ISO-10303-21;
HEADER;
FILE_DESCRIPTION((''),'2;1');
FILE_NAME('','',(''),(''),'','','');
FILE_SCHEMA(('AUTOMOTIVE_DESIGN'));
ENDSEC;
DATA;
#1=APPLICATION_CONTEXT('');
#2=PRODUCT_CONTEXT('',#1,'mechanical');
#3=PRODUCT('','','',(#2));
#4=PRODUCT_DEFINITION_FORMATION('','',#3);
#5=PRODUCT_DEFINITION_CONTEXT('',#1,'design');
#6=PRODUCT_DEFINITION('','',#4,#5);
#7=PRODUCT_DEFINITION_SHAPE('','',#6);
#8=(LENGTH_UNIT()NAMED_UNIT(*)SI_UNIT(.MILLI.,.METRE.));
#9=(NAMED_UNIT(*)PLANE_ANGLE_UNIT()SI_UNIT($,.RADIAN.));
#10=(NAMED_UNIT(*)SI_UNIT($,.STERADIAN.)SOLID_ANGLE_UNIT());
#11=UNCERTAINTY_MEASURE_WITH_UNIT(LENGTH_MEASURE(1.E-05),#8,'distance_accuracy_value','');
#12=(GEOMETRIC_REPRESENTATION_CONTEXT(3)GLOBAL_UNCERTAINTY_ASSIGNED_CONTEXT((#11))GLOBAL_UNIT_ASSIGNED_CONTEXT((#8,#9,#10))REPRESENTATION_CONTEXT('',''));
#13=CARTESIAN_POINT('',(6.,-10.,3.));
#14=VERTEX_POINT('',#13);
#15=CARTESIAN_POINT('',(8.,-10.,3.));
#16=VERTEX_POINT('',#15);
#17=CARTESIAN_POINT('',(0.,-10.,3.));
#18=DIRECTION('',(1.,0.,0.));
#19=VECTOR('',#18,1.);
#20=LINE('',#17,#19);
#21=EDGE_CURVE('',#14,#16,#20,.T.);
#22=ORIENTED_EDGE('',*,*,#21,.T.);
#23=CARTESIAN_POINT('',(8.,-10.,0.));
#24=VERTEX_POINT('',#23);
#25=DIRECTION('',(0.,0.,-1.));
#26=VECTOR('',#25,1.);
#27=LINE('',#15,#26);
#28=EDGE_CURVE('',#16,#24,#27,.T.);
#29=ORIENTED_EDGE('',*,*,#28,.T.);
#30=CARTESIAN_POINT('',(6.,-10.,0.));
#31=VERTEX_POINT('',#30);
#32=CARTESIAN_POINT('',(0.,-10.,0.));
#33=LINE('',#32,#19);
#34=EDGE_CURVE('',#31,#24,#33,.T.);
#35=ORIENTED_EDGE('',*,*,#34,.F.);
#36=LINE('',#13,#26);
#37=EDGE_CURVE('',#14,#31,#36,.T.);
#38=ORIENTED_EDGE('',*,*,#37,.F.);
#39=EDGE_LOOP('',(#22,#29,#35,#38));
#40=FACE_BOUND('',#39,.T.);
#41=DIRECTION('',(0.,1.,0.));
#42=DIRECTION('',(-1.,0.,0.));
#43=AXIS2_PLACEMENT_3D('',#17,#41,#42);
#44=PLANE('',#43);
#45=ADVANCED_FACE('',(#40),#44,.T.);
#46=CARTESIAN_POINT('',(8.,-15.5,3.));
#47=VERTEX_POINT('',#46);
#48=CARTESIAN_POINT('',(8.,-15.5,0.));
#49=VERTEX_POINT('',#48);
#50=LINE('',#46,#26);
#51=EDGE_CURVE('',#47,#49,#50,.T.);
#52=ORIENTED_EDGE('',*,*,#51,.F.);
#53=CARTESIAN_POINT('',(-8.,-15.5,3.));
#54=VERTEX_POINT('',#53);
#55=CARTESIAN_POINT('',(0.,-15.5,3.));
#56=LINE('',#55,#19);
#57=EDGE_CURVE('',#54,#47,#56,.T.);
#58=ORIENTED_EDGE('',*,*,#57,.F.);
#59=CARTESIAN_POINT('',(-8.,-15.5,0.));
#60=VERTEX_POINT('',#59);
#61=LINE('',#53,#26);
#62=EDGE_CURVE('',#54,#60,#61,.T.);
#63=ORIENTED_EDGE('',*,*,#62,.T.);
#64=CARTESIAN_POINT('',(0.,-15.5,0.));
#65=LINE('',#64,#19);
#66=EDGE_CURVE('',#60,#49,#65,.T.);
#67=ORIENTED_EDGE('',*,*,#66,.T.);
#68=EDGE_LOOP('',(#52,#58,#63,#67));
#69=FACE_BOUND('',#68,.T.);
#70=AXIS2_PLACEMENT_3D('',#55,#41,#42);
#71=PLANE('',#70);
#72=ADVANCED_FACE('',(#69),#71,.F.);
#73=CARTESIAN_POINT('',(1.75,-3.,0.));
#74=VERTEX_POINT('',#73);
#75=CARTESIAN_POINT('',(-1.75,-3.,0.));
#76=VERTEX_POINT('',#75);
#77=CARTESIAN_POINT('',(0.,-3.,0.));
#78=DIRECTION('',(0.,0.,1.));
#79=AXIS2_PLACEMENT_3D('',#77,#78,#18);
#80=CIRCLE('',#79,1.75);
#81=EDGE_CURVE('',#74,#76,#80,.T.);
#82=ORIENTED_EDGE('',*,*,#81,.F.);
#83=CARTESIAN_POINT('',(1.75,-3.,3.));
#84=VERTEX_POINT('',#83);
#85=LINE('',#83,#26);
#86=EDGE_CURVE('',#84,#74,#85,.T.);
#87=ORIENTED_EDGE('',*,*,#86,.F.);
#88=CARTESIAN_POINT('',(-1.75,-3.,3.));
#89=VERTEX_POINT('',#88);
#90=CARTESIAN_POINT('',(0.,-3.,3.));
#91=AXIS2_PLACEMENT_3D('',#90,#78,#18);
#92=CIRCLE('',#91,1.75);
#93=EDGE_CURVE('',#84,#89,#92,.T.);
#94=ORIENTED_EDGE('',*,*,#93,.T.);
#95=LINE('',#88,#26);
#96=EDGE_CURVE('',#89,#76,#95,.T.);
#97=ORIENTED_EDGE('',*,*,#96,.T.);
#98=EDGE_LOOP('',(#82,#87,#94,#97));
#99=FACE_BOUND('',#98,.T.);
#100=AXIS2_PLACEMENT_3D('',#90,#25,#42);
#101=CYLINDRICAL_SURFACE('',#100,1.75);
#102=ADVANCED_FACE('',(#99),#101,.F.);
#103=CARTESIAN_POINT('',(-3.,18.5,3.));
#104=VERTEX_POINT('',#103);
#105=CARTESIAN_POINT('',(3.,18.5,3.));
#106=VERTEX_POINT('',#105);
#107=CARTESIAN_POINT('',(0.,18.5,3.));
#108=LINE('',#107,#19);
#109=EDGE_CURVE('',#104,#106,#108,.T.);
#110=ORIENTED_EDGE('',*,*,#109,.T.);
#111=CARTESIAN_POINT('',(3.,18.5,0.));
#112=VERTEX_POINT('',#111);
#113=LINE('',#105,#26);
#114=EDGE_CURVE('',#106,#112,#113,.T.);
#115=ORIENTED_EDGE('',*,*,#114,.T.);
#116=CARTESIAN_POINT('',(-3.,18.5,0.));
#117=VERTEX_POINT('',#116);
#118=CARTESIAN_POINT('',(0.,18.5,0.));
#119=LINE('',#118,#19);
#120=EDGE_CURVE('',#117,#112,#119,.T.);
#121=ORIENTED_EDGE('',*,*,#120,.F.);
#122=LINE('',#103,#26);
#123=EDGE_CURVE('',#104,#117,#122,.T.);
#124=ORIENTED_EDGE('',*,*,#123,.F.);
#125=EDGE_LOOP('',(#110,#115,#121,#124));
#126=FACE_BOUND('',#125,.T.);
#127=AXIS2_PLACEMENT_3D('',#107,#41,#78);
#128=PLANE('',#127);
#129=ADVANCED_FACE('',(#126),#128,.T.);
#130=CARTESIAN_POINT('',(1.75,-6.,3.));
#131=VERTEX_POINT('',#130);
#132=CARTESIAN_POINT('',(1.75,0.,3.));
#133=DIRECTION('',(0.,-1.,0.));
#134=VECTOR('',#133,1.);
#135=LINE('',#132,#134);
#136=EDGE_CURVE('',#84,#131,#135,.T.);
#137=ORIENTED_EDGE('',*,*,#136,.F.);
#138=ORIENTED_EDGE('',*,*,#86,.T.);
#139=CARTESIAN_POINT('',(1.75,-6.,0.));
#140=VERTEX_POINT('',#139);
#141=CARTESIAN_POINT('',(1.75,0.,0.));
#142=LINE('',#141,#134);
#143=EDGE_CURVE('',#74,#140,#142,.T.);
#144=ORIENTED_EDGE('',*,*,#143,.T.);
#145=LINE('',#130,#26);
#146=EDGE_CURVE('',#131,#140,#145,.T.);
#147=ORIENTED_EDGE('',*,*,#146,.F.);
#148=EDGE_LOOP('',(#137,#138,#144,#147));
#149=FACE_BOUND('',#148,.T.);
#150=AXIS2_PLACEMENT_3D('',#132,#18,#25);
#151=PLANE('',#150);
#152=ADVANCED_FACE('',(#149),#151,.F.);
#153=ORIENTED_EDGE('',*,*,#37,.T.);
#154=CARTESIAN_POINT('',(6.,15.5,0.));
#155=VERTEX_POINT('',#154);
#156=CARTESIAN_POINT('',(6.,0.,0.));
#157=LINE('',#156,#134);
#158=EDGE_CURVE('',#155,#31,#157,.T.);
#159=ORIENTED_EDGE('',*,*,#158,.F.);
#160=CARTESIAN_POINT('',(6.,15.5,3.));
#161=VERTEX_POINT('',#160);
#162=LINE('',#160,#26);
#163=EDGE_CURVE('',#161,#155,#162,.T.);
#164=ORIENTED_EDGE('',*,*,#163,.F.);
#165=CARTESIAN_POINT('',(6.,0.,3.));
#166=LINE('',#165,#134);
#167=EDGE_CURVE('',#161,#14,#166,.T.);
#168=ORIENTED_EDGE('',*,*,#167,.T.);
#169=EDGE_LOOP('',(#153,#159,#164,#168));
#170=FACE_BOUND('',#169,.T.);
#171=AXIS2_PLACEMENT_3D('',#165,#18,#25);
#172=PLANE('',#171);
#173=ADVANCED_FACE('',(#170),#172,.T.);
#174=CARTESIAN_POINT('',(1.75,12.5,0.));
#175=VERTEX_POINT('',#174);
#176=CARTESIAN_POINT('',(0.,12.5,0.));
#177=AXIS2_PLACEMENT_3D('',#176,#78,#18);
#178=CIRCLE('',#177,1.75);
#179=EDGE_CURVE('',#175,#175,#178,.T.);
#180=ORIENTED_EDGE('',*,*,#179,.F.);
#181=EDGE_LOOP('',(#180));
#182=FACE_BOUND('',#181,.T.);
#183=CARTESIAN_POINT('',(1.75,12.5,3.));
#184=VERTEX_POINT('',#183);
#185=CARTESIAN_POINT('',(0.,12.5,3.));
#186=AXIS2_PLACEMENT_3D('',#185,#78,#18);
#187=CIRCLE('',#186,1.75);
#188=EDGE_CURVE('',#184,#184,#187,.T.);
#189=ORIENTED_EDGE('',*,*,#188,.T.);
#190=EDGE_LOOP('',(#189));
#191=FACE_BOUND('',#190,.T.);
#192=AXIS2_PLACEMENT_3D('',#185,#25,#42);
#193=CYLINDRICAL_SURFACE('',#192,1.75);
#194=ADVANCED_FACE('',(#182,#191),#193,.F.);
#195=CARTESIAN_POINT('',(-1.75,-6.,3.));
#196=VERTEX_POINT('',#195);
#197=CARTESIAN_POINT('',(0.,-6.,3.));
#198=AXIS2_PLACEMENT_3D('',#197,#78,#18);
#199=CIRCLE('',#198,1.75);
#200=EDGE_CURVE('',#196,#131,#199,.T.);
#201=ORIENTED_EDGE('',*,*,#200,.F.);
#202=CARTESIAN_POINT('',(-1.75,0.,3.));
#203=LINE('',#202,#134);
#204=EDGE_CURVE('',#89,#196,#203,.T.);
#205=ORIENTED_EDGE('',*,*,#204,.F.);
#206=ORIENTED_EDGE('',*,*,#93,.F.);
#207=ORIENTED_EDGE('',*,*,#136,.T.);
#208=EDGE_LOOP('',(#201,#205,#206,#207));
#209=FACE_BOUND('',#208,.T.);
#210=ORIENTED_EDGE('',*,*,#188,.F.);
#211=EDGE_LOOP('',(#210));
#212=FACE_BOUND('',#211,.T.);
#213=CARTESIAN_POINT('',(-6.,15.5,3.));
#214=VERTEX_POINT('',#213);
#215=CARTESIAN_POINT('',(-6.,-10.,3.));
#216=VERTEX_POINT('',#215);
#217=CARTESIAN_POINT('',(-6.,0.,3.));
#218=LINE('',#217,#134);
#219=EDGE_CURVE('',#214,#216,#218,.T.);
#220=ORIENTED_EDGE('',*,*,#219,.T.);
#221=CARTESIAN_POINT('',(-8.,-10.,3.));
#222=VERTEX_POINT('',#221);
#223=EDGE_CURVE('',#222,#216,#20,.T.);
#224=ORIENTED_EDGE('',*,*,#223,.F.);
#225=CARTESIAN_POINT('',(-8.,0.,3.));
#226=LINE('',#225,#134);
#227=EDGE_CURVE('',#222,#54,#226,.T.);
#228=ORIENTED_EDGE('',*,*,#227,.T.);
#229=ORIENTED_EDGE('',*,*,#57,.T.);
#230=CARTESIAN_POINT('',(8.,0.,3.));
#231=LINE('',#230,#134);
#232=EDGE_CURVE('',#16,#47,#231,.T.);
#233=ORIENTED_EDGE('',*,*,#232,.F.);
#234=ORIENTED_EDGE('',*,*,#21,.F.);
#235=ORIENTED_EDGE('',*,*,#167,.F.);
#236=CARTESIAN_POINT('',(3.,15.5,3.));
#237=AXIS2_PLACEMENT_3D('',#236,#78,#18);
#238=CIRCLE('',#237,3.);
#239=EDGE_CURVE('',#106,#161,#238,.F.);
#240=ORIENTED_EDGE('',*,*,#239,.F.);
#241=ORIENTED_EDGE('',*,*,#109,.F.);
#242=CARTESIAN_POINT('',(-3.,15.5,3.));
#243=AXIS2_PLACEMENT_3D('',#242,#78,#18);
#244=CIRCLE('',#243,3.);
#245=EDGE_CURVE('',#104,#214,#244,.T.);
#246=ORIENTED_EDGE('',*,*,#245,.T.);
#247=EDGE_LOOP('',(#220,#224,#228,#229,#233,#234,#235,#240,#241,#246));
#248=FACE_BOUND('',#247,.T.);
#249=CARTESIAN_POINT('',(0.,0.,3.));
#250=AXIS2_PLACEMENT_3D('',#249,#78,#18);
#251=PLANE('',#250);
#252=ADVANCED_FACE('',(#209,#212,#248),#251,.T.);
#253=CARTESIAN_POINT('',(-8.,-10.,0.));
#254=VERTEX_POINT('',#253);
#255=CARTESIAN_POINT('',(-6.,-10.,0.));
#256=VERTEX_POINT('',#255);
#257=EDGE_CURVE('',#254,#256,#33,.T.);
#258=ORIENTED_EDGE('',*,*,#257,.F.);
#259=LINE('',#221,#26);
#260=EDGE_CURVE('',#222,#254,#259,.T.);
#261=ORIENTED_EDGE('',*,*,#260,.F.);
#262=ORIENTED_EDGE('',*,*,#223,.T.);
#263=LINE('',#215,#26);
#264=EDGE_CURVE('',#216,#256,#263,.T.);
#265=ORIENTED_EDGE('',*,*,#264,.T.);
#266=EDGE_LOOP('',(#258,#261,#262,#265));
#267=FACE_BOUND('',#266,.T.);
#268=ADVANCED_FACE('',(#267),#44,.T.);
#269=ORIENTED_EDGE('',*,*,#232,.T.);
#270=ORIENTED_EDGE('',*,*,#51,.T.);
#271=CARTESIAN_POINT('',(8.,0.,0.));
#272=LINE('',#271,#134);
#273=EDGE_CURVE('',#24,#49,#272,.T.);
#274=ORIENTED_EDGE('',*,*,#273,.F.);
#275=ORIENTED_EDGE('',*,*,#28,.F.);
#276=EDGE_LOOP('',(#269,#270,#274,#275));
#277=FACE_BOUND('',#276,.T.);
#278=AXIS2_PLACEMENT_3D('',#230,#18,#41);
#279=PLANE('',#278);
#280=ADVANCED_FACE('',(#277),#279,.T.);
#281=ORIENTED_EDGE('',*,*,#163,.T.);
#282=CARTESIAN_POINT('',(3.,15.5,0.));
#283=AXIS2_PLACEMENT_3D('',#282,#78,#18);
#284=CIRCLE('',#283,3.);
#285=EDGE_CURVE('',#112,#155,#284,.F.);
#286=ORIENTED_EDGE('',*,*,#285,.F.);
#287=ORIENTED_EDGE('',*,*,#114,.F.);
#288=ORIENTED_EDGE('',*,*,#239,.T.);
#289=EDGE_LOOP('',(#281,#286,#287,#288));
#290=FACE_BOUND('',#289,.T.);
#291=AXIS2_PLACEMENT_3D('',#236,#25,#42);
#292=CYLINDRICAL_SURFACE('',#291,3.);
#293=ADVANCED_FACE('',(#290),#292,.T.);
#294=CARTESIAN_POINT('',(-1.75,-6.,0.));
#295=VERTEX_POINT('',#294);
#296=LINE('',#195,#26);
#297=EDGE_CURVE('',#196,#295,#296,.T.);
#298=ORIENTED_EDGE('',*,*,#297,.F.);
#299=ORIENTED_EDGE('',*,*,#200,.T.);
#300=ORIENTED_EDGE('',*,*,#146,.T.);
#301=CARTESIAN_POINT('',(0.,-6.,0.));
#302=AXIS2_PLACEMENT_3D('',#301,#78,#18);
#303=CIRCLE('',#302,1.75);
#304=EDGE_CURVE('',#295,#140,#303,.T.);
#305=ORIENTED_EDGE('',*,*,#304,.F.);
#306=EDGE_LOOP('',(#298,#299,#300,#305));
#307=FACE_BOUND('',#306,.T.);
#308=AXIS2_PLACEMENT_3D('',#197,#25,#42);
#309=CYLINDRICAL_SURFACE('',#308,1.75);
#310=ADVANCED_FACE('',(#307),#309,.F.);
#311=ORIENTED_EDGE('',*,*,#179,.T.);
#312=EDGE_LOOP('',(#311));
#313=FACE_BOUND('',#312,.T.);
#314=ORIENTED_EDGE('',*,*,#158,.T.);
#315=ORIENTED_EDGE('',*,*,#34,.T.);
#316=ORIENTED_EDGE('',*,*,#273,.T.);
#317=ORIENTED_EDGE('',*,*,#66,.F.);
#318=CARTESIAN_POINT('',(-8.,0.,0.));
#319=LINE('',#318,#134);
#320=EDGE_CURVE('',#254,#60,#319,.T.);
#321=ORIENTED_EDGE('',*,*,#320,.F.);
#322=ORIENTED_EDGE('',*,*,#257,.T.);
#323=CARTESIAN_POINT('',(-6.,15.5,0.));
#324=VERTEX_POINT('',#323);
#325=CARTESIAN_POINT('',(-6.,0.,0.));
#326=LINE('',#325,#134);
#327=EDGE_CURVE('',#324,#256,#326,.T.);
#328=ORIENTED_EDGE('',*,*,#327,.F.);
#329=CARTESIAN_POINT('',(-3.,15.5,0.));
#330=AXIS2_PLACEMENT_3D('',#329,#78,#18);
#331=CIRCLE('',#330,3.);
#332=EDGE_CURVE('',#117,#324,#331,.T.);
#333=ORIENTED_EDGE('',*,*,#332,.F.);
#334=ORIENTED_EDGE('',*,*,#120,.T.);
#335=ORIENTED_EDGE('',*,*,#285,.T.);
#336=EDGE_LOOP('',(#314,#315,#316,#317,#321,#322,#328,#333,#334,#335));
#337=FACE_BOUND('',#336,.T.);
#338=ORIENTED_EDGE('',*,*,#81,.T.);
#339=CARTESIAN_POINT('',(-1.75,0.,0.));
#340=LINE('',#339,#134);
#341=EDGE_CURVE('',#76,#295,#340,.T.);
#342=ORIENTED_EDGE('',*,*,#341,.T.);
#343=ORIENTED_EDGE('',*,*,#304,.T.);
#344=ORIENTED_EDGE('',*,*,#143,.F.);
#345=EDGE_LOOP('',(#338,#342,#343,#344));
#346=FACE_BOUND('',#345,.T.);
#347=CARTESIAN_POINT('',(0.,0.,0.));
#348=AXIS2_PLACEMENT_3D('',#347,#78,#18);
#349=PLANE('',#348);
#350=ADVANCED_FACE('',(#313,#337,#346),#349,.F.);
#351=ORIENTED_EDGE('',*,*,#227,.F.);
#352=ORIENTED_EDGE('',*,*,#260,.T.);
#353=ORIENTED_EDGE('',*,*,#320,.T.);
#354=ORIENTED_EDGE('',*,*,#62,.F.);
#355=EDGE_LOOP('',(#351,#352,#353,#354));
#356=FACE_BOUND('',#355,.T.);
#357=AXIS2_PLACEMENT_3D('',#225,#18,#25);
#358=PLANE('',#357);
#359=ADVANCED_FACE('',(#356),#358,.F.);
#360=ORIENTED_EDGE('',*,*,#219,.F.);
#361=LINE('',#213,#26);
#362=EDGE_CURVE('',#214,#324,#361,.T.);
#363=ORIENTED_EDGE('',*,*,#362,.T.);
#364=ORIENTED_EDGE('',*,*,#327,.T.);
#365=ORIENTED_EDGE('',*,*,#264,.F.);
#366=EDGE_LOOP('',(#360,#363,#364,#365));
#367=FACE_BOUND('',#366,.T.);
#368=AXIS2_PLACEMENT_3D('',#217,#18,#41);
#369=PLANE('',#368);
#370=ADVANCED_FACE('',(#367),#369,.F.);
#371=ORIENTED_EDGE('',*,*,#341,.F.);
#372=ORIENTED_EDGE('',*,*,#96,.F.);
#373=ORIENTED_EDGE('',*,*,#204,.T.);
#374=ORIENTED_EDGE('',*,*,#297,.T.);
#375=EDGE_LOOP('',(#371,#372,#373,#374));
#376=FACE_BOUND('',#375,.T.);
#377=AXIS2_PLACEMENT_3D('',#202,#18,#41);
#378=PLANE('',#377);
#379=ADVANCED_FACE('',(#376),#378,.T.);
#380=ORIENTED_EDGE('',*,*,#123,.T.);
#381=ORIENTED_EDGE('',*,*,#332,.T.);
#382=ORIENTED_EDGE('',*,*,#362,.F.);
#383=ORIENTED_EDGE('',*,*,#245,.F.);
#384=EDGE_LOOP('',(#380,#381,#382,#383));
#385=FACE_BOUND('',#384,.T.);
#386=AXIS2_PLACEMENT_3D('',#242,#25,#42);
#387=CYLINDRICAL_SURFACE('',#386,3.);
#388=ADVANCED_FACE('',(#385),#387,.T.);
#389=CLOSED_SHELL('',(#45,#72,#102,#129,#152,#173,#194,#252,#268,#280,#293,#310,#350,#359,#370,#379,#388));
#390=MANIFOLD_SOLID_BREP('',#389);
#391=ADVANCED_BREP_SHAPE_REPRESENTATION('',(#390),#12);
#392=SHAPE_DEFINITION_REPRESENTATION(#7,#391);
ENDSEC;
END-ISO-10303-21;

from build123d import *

# Parameters (mm, degrees)
SKETCH1_R           = 1.75
SKETCH1_W           = 16
SKETCH1_H           = 5.5
BOSS_EXTRUDE1_DEPTH = 3


with BuildPart() as part:
    # Sketch1 → Boss-Extrude1 (new body)
    # profile 1 of 2: a face of its own
    with BuildSketch(Plane.XY):
        with BuildLine():
            Line((-3, 18.5), (3, 18.5))
            ThreePointArc((3, 18.5), (5.121320344, 17.621320344), (6, 15.5))
            Line((6, 15.5), (6, -15.5))
            Line((6, -15.5), (-6, -15.5))
            Line((-6, -15.5), (-6, 15.5))
            ThreePointArc((-6, 15.5), (-5.121320344, 17.621320344), (-3, 18.5))
        make_face()
        with Locations((0, 12.5)):
            Circle(SKETCH1_R, mode=Mode.SUBTRACT)
        with BuildLine():
            Line((1.75, -3), (1.75, -6))
            ThreePointArc((1.75, -6), (0, -7.75), (-1.75, -6))
            Line((-1.75, -6), (-1.75, -3))
            ThreePointArc((-1.75, -3), (0, -1.25), (1.75, -3))
        make_face(mode=Mode.SUBTRACT)
    # profile 2 of 2: a face of its own
    with BuildSketch(Plane.XY):
        with Locations((0, -12.75)):
            Rectangle(SKETCH1_W, SKETCH1_H)
    extrude(amount=BOSS_EXTRUDE1_DEPTH)


solid = part.part
